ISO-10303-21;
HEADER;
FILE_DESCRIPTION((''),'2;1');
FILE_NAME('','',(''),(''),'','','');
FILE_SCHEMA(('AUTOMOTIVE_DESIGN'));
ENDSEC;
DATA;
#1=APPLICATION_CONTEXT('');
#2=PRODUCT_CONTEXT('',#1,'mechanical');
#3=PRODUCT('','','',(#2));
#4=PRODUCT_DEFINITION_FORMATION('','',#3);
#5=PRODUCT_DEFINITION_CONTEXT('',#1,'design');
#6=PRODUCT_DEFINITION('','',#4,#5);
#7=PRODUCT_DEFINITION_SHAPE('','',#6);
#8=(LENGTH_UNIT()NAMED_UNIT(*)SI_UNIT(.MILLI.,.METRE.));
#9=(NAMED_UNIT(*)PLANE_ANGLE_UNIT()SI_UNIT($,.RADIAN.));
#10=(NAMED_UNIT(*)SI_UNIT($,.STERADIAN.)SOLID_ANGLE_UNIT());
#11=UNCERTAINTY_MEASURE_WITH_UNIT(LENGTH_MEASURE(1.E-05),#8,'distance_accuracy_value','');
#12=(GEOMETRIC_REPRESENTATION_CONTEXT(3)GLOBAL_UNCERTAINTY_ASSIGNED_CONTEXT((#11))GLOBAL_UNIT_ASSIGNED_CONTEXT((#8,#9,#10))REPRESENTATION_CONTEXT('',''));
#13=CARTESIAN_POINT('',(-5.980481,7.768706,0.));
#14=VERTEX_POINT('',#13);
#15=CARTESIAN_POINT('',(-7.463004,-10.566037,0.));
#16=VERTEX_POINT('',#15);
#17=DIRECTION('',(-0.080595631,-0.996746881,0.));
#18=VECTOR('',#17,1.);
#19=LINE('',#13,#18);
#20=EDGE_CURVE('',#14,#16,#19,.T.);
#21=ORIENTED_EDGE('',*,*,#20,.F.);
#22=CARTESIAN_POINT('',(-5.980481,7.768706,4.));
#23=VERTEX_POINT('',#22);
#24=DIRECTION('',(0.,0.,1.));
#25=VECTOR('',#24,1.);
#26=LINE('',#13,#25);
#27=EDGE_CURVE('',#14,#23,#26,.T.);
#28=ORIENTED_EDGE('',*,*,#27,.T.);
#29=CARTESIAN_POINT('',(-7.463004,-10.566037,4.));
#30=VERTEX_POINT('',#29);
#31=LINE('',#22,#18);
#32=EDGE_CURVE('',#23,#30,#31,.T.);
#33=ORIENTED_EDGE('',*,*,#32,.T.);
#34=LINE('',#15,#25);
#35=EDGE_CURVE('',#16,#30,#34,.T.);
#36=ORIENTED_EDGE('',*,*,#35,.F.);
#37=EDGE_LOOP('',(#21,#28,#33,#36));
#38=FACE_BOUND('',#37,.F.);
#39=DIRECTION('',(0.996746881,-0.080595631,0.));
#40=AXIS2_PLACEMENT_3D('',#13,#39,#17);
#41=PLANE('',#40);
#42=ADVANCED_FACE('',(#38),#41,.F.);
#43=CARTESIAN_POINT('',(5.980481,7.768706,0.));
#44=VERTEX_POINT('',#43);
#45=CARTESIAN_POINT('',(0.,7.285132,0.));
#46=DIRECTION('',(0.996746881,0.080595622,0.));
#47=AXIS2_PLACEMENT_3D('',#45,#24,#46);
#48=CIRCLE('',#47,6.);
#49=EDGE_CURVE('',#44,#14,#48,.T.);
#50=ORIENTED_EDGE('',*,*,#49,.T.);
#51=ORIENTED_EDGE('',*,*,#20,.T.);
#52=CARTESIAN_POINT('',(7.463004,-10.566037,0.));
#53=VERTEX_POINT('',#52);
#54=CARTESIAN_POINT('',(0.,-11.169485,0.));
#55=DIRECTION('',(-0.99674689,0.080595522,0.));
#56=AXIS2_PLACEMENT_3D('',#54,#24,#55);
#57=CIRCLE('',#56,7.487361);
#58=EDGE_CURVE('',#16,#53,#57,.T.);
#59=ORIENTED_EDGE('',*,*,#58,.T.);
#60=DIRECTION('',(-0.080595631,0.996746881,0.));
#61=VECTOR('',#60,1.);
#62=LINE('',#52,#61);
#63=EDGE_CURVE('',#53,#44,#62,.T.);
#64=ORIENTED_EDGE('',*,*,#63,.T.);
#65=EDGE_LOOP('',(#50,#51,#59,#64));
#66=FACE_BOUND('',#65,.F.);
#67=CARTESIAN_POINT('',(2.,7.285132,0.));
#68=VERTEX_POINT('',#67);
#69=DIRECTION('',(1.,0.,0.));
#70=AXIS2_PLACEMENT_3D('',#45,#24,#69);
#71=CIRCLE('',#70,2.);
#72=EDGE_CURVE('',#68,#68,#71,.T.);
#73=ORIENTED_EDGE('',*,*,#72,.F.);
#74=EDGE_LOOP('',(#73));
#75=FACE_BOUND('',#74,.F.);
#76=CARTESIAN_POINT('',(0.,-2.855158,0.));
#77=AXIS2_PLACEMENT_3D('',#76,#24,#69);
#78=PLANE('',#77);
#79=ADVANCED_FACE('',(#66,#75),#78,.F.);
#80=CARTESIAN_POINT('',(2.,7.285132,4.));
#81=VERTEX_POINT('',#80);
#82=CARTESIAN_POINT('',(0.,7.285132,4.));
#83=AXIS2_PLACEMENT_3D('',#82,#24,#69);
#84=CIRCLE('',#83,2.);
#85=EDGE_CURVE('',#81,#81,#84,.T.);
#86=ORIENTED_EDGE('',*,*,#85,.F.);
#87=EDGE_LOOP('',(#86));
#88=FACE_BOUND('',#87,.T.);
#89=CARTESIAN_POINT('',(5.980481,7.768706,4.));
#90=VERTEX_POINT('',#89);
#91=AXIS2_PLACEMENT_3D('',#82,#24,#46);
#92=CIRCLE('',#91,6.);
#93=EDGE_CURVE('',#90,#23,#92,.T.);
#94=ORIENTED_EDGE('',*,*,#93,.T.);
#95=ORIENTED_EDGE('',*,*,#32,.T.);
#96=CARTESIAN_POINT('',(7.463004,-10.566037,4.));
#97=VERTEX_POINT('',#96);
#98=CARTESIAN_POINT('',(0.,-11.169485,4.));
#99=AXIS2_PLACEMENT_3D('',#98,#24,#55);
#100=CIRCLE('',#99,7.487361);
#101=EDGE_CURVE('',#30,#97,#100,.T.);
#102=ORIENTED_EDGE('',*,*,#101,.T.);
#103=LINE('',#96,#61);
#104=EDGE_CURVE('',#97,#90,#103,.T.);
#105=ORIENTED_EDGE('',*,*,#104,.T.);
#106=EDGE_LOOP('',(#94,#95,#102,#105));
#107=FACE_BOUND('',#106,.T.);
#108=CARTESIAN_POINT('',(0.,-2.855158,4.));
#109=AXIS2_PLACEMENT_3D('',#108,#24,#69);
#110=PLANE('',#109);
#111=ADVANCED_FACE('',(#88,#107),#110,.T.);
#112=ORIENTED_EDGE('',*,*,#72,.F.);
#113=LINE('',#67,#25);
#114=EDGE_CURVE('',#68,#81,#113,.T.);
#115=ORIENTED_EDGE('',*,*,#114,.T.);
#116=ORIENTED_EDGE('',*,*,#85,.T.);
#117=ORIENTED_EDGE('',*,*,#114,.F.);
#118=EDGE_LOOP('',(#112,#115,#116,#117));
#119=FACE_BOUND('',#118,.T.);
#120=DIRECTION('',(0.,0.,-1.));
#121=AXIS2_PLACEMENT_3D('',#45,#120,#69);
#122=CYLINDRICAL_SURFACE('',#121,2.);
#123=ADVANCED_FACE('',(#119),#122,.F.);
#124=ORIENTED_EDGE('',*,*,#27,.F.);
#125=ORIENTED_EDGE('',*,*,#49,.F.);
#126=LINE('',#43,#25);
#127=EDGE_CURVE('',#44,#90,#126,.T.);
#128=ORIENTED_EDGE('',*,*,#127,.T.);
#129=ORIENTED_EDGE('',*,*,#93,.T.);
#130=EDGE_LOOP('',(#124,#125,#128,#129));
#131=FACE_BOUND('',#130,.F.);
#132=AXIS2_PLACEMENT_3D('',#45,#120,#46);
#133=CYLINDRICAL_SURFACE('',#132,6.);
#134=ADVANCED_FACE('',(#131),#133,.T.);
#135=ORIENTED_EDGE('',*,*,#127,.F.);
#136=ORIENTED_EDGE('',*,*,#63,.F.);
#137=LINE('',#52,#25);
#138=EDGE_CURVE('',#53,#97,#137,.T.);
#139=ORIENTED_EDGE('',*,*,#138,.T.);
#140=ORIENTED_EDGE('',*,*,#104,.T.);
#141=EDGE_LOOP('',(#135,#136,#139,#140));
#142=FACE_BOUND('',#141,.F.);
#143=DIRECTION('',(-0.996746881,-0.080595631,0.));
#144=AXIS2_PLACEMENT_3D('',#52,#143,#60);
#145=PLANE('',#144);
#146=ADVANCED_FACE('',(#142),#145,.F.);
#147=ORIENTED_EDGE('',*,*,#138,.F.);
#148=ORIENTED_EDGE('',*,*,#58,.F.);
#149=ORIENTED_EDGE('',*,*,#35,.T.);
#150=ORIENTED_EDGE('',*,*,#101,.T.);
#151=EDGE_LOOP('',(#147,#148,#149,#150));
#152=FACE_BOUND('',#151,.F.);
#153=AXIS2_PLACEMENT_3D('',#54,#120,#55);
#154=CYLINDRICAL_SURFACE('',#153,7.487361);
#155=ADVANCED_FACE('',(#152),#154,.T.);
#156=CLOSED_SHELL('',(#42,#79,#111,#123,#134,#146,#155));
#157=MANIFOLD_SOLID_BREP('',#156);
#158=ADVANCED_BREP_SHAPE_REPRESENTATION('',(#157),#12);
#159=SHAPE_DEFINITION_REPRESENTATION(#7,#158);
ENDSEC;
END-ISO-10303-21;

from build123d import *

# Parameters (mm, degrees)
F0_R     = 2
F1_DEPTH = 4


with BuildPart() as f1:
    # F0 (on Top) → F1 (new body)
    with BuildSketch(Plane.XY):
        with BuildLine():
            Line((7.463004, -10.566037), (5.980481, 7.768706))
            ThreePointArc((5.980481, 7.768706), (0, 13.285132), (-5.980481, 7.768706))
            Line((-5.980481, 7.768706), (-7.463004, -10.566037))
            ThreePointArc((-7.463004, -10.566037), (0, -18.656846), (7.463004, -10.566037))
        make_face()
        with Locations((0, 7.285132)):
            Circle(F0_R, mode=Mode.SUBTRACT)
    extrude(amount=F1_DEPTH)


solid = f1.part
